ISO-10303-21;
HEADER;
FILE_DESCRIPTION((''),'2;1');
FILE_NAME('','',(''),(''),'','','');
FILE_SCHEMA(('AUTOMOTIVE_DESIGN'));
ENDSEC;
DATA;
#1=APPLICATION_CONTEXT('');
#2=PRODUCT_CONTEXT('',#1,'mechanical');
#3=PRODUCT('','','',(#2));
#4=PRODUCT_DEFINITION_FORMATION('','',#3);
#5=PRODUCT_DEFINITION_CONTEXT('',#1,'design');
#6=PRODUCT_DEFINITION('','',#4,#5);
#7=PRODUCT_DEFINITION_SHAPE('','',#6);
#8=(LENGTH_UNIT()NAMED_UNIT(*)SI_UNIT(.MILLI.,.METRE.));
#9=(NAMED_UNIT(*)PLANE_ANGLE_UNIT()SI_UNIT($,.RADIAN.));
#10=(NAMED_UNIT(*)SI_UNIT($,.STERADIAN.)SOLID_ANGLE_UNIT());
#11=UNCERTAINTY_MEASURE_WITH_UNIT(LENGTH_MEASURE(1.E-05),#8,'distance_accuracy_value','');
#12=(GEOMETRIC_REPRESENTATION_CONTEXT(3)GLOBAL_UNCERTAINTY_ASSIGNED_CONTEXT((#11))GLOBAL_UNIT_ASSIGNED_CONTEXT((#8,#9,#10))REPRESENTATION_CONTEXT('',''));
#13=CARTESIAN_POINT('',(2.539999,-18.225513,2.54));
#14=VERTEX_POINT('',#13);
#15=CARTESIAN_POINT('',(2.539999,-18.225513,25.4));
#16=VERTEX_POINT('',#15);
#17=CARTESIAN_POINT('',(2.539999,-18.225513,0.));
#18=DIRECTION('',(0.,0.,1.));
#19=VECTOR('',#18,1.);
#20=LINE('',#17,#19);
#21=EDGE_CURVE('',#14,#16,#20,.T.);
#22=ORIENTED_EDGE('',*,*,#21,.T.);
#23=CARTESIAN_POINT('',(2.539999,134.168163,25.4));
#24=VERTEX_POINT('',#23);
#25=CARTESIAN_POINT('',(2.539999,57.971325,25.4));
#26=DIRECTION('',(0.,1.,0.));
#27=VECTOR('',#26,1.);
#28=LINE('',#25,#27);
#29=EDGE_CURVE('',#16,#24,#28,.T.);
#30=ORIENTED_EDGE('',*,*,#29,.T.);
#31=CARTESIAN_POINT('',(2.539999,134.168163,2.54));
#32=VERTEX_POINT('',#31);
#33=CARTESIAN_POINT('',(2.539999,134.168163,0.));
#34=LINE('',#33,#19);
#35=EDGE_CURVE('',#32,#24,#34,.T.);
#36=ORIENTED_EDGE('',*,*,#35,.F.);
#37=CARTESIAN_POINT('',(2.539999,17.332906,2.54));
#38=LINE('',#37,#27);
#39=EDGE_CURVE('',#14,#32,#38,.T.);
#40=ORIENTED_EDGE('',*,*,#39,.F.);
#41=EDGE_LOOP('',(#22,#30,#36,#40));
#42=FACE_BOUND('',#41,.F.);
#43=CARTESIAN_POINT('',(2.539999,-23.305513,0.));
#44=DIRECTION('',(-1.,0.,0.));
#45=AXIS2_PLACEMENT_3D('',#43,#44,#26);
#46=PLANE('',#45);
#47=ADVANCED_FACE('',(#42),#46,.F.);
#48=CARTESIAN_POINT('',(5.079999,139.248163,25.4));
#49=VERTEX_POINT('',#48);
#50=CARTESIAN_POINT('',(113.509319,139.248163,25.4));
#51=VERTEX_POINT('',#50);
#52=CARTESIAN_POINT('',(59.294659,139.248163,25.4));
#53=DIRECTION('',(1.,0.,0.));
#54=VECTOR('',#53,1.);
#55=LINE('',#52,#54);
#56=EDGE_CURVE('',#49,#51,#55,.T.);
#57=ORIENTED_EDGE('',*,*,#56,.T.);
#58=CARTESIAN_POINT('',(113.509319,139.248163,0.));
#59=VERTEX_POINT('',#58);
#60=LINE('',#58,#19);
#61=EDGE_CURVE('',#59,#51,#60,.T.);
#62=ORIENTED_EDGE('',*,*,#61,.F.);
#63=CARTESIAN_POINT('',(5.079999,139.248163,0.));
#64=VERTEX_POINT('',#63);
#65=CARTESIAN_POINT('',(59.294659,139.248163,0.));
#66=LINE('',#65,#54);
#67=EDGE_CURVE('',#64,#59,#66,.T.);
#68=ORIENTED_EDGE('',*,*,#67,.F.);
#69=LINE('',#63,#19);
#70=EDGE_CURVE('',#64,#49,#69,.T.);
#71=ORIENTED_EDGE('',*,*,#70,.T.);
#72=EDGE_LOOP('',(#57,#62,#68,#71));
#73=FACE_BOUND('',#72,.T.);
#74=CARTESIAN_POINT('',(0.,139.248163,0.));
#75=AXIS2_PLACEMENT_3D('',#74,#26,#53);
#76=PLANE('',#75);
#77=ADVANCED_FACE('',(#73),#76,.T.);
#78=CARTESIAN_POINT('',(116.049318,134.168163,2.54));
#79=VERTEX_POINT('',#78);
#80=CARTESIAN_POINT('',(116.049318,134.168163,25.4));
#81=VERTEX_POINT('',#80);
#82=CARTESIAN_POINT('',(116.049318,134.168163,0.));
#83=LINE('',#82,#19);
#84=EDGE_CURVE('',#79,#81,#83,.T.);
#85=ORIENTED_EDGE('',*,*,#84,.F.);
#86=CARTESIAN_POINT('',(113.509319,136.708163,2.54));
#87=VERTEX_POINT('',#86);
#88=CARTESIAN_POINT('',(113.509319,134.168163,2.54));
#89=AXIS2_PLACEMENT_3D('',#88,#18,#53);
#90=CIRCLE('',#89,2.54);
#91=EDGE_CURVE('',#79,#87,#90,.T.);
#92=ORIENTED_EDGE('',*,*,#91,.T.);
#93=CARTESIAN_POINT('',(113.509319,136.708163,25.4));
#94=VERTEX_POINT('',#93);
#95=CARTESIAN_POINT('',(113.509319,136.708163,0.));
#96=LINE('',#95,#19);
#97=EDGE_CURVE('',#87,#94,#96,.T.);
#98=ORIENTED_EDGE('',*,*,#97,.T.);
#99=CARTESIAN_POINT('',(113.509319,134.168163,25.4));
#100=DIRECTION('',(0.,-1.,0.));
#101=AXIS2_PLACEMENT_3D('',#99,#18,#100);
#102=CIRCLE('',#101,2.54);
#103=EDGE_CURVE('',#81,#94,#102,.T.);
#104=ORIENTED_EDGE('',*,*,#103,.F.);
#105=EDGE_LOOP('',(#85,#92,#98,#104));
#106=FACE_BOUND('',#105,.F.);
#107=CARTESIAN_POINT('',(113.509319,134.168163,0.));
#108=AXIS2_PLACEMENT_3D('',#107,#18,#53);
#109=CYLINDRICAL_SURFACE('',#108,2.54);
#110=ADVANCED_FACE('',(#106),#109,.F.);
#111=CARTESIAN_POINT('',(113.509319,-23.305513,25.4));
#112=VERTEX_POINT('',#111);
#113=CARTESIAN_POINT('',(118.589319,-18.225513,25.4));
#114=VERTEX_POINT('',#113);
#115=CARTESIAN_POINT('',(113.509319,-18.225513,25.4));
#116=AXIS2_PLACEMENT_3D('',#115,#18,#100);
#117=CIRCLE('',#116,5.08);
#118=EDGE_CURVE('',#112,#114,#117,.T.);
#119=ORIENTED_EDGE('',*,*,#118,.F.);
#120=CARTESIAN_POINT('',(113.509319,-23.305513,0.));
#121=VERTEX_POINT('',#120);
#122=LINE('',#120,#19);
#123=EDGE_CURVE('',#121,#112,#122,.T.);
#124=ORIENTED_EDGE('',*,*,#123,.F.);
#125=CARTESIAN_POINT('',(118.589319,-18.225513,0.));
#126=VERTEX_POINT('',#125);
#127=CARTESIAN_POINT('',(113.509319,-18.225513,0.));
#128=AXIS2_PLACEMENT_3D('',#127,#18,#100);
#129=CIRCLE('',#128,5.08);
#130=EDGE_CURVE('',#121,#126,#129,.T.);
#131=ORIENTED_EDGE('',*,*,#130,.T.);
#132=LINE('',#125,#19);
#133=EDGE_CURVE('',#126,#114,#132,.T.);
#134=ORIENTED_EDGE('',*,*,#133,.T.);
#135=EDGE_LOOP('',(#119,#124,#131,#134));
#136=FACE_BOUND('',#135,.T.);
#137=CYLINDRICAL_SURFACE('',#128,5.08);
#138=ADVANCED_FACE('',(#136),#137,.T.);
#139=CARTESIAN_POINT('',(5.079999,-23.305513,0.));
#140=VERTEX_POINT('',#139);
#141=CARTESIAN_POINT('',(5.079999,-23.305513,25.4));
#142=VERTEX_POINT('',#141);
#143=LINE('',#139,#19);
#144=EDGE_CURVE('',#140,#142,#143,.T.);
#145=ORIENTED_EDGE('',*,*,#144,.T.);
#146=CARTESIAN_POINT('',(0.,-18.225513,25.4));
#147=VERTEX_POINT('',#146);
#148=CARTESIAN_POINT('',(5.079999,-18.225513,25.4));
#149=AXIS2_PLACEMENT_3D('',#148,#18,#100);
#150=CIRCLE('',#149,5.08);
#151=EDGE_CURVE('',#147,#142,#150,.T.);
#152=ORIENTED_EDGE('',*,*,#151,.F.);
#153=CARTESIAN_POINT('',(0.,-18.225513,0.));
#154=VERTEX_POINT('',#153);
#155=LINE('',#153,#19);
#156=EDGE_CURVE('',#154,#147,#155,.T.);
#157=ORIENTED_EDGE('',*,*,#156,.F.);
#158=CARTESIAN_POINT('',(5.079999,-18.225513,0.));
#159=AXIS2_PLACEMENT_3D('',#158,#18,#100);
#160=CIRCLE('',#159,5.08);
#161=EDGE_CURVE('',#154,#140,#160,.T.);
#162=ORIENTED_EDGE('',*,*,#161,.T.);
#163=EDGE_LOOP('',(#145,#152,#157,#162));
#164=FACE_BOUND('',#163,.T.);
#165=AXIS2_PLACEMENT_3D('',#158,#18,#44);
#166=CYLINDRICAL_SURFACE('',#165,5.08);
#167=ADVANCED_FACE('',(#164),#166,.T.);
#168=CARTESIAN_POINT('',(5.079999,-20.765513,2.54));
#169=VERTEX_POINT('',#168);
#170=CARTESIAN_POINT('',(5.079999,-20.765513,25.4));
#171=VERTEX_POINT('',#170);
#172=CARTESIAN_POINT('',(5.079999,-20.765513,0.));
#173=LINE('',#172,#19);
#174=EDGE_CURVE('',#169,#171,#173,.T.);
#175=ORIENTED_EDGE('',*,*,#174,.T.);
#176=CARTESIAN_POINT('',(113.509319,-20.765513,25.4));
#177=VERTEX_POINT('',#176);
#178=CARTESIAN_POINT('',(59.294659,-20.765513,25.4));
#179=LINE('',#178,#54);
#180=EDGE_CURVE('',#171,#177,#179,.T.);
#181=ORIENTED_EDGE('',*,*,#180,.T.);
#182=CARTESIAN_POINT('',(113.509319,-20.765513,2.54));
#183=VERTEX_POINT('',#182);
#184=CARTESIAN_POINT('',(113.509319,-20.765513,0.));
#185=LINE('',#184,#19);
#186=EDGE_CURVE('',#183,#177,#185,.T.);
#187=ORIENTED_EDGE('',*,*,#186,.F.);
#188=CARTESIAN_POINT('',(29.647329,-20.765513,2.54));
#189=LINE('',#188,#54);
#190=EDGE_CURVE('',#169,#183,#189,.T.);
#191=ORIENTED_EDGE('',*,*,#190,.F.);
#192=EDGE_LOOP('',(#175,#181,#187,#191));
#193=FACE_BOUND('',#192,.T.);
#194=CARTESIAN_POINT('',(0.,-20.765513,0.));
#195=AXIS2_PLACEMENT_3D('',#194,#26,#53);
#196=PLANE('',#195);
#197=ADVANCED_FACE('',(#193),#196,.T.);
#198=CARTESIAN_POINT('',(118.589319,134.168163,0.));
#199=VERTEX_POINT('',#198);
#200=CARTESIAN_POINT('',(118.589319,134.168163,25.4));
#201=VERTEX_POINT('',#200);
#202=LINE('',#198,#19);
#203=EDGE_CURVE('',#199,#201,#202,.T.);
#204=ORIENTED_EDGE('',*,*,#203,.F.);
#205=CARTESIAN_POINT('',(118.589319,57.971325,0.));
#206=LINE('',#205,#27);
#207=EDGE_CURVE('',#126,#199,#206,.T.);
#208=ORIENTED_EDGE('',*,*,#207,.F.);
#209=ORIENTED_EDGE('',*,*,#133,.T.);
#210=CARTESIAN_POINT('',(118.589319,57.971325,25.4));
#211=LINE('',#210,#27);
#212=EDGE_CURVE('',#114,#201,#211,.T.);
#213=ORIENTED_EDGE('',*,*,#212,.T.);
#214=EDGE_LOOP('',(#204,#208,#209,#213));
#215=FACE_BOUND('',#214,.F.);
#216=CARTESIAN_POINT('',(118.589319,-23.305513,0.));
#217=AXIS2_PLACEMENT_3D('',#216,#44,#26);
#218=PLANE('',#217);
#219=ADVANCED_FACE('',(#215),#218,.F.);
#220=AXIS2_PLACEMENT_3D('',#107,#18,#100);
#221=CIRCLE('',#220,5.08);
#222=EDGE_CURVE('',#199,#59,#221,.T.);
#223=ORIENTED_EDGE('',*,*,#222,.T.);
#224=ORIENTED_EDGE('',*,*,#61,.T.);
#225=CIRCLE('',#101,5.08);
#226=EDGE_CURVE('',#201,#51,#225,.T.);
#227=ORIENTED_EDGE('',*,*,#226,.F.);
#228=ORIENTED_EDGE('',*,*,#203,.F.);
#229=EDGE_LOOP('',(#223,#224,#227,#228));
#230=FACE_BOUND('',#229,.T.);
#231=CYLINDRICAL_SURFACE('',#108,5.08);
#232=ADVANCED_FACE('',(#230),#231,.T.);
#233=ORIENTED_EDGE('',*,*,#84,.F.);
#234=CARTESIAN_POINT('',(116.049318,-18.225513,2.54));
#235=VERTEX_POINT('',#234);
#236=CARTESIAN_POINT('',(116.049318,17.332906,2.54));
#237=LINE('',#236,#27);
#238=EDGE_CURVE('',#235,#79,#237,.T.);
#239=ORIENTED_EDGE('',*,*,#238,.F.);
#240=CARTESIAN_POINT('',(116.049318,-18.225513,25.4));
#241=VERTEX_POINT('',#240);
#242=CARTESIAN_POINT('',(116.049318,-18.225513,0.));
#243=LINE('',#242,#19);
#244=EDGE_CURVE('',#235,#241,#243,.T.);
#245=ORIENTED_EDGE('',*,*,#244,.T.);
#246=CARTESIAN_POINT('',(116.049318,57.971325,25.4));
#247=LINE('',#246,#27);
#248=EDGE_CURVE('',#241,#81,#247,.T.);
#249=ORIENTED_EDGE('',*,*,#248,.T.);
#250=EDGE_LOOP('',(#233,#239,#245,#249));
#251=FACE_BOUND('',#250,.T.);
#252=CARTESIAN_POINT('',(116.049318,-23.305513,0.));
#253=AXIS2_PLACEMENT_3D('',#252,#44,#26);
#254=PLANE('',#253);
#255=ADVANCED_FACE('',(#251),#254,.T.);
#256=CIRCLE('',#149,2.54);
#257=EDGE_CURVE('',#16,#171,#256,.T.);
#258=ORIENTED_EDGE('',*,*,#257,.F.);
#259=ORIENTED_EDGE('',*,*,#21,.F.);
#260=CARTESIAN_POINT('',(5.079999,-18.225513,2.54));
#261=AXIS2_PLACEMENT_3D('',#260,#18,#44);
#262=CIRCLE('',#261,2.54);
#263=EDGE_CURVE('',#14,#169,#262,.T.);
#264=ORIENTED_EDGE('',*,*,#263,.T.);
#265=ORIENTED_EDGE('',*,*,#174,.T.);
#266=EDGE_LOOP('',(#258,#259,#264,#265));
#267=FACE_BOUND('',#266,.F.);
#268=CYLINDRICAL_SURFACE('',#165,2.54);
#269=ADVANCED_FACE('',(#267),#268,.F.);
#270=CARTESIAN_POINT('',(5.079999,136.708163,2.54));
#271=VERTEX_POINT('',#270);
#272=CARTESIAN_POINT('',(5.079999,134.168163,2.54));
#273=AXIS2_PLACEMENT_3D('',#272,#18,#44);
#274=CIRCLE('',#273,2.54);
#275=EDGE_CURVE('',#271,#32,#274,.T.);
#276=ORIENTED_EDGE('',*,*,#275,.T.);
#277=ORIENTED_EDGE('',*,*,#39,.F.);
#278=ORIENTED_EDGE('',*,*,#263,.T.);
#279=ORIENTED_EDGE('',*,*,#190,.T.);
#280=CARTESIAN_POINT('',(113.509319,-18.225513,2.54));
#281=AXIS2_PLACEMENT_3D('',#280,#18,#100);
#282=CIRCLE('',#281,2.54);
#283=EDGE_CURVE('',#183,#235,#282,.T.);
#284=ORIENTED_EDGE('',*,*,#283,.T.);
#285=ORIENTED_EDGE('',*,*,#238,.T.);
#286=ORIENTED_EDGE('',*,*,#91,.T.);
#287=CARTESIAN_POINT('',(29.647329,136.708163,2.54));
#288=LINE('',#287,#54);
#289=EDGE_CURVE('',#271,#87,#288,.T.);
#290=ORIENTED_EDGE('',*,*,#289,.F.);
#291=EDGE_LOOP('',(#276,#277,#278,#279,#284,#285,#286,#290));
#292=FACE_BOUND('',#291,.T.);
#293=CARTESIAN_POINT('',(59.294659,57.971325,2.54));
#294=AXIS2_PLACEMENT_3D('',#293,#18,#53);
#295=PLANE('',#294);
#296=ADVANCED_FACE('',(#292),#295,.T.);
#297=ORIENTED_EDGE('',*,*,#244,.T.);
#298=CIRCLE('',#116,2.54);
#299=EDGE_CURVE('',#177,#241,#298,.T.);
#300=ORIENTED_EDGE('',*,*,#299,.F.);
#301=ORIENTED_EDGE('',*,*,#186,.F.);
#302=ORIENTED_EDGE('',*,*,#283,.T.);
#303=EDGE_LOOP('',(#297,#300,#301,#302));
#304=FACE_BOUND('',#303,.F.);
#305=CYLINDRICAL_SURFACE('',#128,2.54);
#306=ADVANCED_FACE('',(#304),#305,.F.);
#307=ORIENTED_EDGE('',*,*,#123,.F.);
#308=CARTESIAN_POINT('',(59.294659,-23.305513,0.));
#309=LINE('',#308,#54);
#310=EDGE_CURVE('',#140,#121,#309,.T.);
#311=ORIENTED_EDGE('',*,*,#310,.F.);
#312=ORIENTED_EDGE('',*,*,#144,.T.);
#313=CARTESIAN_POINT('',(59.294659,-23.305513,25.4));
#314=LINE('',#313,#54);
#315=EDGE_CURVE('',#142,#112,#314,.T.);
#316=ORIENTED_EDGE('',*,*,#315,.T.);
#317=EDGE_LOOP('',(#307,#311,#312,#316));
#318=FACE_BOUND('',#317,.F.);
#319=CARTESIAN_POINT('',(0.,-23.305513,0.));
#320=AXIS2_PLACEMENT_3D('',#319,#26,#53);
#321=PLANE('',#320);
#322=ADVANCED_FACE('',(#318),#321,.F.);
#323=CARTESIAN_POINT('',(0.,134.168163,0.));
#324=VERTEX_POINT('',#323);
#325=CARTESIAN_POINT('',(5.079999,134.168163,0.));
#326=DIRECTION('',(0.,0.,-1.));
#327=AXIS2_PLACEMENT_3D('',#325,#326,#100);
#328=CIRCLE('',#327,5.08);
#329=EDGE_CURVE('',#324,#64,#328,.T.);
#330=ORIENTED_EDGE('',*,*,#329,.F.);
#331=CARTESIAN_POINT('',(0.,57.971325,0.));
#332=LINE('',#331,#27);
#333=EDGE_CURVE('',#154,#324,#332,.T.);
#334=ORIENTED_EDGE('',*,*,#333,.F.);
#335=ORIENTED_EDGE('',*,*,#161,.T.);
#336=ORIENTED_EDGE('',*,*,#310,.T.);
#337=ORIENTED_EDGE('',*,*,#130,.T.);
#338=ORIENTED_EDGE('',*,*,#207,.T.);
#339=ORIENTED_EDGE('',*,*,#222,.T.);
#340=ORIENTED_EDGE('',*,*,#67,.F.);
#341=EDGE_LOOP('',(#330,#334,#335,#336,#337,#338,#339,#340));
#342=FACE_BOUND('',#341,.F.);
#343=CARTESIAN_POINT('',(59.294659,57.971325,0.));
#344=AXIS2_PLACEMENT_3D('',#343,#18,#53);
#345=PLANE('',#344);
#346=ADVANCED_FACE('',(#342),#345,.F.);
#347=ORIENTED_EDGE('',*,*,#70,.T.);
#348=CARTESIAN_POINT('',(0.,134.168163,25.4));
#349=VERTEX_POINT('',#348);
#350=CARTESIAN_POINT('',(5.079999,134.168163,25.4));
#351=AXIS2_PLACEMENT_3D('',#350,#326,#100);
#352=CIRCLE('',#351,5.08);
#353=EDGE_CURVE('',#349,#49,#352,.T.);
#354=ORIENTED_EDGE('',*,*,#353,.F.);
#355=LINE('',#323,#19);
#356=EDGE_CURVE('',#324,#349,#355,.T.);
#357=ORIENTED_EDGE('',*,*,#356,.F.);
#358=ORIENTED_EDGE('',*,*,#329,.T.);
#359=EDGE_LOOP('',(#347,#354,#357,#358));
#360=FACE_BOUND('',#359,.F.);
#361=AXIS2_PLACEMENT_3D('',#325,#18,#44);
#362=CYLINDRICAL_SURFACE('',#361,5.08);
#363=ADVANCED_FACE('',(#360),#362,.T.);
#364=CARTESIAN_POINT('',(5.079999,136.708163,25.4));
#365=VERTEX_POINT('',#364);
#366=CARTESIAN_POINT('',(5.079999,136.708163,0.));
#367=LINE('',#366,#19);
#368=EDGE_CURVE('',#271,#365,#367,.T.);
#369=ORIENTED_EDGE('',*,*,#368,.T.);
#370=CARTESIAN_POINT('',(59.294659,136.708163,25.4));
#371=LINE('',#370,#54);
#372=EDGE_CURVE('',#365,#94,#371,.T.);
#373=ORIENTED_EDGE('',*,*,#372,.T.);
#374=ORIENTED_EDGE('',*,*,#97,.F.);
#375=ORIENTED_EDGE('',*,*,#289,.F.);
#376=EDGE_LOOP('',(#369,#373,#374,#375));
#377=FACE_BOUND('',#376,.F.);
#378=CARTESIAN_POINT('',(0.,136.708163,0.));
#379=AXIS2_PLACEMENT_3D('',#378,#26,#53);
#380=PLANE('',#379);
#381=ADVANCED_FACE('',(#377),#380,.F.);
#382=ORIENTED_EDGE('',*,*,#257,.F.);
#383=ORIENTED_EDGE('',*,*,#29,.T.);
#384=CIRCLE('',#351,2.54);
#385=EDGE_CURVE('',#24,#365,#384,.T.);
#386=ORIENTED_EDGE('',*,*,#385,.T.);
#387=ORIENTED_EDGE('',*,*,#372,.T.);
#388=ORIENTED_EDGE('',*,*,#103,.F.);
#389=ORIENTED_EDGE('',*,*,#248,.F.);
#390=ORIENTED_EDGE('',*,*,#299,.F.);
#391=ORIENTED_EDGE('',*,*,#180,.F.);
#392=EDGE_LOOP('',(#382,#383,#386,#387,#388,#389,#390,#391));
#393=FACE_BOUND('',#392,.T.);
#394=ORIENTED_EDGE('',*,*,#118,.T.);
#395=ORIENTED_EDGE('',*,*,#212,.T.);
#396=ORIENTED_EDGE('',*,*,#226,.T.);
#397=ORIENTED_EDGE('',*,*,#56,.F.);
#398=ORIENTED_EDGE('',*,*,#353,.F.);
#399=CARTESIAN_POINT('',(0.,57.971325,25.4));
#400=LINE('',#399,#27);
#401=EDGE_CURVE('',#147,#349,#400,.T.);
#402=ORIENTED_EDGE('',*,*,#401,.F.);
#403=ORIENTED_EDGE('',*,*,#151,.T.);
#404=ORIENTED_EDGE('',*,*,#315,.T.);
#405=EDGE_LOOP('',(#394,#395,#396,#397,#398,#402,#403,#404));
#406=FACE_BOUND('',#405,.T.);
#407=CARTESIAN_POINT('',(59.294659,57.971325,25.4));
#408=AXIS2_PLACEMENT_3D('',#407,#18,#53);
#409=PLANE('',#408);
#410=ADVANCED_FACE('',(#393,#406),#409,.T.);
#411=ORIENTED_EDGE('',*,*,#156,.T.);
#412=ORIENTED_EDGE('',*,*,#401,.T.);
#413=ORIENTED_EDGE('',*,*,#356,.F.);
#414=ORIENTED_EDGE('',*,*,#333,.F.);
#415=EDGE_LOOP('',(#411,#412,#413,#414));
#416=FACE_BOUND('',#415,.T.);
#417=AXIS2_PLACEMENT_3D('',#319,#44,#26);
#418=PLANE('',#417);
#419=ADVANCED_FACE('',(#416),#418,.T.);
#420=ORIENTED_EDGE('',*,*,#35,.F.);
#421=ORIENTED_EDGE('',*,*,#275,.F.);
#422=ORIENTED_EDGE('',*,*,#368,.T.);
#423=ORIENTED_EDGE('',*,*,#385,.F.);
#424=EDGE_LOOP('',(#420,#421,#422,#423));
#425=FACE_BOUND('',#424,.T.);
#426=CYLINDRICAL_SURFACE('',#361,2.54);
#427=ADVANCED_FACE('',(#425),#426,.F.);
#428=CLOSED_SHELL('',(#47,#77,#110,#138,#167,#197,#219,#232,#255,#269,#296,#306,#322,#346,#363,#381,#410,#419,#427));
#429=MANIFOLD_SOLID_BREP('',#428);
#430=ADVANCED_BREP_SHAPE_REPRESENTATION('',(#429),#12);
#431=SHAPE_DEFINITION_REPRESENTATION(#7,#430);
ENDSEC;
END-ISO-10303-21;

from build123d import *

# Parameters (mm, degrees)
F0_W     = 118.589319
F0_H     = 162.553676
F1_DEPTH = 25.4
F2_R     = 5.08
F3_T     = -2.54


with BuildPart() as f1:
    # F0 (on Top) → F1 (new body)
    with BuildSketch(Plane.XY):
        with Locations((59.294659, 57.971325)):
            Rectangle(F0_W, F0_H)
    extrude(amount=F1_DEPTH)

    # F2
    f2_edges = [f1.edges().sort_by_distance(p)[0] for p in [
        (118.589319, -23.305513, 12.7),
        (118.589319, 139.248163, 12.7),
        (0, 139.248163, 12.7),
        (0, -23.305513, 12.7),
    ]]
    fillet(f2_edges, radius=F2_R)

    # F3
    f3_openings = [f1.faces().sort_by_distance(p)[0] for p in [
        (59.29466, 57.971325, 25.4),
    ]]
    offset(amount=F3_T, openings=f3_openings)


solid = f1.part
